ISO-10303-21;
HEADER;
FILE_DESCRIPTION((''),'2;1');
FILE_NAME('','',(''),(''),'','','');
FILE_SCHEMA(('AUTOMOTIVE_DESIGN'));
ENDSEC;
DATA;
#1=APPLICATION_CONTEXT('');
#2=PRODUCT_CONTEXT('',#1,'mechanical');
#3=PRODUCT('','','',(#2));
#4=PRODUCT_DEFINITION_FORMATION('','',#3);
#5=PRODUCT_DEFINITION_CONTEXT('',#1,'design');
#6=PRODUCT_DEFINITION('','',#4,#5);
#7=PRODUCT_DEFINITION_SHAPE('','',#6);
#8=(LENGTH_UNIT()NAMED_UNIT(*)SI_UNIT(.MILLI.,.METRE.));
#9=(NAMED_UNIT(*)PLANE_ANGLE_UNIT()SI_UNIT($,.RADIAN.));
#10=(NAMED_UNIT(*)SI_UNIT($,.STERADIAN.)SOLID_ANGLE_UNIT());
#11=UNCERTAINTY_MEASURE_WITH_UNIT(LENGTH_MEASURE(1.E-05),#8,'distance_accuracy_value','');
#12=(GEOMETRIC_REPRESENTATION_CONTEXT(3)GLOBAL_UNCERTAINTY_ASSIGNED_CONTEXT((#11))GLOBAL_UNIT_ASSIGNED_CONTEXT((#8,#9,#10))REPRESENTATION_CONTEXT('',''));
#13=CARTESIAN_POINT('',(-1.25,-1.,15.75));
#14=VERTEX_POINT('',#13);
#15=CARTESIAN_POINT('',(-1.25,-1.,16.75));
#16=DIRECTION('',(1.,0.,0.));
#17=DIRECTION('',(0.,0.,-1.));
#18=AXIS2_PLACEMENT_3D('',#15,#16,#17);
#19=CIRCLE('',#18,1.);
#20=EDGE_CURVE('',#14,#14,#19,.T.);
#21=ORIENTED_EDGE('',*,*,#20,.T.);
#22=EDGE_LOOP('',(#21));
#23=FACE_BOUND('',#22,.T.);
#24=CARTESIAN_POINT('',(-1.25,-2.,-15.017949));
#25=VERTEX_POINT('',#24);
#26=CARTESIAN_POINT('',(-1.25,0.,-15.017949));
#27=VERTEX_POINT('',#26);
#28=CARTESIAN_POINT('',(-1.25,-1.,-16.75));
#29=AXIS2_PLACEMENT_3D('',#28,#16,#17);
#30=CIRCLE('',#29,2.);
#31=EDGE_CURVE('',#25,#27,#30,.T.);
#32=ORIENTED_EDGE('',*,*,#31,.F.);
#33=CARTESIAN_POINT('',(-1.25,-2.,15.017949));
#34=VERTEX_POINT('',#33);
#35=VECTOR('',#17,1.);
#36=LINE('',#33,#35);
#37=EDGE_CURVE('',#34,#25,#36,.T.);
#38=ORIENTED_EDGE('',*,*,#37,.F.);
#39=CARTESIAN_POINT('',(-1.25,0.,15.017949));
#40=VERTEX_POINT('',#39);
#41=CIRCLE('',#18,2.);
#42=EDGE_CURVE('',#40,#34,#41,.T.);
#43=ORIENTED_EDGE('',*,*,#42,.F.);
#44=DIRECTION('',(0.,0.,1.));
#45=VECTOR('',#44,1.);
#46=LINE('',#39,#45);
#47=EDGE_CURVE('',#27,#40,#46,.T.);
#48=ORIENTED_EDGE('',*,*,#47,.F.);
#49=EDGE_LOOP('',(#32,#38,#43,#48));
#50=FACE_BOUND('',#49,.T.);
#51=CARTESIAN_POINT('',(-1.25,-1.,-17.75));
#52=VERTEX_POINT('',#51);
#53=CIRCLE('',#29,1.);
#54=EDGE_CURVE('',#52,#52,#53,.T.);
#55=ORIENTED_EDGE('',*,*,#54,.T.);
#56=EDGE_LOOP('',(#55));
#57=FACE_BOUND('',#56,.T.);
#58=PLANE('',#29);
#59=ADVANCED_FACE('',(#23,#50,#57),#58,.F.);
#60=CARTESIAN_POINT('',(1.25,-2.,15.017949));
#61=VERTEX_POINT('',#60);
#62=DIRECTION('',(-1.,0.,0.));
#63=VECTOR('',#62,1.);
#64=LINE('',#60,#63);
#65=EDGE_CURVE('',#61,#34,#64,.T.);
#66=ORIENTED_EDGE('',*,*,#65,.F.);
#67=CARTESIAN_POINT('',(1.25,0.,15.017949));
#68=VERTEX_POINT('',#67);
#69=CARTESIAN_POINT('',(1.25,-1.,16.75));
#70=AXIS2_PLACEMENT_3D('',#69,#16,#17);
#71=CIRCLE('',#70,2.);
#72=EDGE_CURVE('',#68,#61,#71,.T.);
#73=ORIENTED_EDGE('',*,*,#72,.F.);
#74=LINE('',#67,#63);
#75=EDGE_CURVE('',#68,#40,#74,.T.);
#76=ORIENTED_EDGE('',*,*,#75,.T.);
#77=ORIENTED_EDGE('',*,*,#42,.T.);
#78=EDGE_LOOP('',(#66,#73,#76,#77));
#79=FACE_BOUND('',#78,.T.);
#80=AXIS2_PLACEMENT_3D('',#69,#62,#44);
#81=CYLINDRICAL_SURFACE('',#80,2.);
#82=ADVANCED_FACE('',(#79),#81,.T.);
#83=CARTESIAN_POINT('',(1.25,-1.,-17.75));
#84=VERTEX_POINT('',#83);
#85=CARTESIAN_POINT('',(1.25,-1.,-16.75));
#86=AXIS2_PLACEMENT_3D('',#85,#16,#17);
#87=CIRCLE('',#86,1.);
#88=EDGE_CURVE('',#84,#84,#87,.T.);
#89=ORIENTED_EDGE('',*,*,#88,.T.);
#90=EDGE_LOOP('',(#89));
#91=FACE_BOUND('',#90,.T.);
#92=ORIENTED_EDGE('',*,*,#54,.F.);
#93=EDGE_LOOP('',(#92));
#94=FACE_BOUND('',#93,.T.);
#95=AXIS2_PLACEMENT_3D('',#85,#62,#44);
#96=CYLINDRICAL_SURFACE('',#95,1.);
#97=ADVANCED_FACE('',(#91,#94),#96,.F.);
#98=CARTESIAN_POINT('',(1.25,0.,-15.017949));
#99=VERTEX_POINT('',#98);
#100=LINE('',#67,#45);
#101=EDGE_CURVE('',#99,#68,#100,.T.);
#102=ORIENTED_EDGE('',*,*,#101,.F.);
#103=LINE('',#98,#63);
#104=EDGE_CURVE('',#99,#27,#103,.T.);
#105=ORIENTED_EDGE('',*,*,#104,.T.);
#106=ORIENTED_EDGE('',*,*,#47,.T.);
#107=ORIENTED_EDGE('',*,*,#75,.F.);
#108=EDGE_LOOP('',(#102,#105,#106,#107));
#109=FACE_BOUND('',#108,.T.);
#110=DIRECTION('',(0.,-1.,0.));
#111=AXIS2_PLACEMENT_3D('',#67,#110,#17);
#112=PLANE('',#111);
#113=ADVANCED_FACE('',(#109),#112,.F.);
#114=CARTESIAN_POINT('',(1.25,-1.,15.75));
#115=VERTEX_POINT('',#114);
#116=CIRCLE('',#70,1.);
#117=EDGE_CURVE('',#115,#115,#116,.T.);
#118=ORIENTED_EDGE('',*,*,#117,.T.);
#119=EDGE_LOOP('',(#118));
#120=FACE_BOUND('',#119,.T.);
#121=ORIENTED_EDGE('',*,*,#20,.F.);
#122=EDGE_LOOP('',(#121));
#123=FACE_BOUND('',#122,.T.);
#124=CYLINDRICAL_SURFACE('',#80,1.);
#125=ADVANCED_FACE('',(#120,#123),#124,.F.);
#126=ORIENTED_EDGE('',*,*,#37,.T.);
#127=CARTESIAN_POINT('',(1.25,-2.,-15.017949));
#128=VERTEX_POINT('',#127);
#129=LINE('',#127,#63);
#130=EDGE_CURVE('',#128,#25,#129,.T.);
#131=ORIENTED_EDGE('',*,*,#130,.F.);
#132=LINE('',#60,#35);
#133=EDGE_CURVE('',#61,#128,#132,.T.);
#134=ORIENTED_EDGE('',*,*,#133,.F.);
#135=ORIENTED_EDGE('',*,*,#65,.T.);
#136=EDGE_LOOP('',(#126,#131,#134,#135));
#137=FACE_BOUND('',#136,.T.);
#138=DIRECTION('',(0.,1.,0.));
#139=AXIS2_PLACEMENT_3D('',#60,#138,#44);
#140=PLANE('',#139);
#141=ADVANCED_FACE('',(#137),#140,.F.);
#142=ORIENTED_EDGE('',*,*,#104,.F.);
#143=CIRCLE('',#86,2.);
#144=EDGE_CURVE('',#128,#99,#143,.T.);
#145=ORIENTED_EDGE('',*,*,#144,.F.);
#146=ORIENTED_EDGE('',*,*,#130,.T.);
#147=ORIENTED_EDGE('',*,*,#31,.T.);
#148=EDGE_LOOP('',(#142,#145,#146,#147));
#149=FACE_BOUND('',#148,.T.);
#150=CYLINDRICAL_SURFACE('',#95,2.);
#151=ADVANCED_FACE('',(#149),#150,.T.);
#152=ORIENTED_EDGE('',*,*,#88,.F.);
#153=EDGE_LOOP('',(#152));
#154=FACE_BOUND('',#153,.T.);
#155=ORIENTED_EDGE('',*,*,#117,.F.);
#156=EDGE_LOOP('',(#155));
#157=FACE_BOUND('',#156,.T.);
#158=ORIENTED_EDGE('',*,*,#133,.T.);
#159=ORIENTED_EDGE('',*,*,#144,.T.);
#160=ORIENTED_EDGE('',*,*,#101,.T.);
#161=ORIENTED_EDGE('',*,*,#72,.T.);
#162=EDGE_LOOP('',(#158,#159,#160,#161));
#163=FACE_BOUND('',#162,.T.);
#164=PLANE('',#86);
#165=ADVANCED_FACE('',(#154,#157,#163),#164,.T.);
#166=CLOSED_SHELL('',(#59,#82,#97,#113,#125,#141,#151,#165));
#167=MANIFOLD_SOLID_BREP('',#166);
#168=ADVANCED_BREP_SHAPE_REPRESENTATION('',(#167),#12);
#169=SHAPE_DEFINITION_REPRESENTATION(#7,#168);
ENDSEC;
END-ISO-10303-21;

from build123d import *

# Parameters (mm, degrees)
SKETCH1_R           = 1
BOSS_EXTRUDE1_DEPTH = 1.25


with BuildPart() as part:
    # Sketch1 → Boss-Extrude1 (new body, symmetric)
    with BuildSketch(Plane(origin=(0, 0, 0), x_dir=(0, 0, -1), z_dir=(1, 0, 0))):
        with BuildLine():
            Line((-15.017949192, -2), (15.017949192, -2))
            ThreePointArc((15.017949192, -2), (18.75, -1), (15.017949192, 0))
            Line((15.017949192, 0), (-15.017949192, 0))
            ThreePointArc((-15.017949192, 0), (-18.75, -1), (-15.017949192, -2))
        make_face()
        with Locations((-16.75, -1)):
            Circle(SKETCH1_R, mode=Mode.SUBTRACT)
        with Locations((16.75, -1)):
            Circle(SKETCH1_R, mode=Mode.SUBTRACT)
    extrude(amount=BOSS_EXTRUDE1_DEPTH, both=True)


solid = part.part
